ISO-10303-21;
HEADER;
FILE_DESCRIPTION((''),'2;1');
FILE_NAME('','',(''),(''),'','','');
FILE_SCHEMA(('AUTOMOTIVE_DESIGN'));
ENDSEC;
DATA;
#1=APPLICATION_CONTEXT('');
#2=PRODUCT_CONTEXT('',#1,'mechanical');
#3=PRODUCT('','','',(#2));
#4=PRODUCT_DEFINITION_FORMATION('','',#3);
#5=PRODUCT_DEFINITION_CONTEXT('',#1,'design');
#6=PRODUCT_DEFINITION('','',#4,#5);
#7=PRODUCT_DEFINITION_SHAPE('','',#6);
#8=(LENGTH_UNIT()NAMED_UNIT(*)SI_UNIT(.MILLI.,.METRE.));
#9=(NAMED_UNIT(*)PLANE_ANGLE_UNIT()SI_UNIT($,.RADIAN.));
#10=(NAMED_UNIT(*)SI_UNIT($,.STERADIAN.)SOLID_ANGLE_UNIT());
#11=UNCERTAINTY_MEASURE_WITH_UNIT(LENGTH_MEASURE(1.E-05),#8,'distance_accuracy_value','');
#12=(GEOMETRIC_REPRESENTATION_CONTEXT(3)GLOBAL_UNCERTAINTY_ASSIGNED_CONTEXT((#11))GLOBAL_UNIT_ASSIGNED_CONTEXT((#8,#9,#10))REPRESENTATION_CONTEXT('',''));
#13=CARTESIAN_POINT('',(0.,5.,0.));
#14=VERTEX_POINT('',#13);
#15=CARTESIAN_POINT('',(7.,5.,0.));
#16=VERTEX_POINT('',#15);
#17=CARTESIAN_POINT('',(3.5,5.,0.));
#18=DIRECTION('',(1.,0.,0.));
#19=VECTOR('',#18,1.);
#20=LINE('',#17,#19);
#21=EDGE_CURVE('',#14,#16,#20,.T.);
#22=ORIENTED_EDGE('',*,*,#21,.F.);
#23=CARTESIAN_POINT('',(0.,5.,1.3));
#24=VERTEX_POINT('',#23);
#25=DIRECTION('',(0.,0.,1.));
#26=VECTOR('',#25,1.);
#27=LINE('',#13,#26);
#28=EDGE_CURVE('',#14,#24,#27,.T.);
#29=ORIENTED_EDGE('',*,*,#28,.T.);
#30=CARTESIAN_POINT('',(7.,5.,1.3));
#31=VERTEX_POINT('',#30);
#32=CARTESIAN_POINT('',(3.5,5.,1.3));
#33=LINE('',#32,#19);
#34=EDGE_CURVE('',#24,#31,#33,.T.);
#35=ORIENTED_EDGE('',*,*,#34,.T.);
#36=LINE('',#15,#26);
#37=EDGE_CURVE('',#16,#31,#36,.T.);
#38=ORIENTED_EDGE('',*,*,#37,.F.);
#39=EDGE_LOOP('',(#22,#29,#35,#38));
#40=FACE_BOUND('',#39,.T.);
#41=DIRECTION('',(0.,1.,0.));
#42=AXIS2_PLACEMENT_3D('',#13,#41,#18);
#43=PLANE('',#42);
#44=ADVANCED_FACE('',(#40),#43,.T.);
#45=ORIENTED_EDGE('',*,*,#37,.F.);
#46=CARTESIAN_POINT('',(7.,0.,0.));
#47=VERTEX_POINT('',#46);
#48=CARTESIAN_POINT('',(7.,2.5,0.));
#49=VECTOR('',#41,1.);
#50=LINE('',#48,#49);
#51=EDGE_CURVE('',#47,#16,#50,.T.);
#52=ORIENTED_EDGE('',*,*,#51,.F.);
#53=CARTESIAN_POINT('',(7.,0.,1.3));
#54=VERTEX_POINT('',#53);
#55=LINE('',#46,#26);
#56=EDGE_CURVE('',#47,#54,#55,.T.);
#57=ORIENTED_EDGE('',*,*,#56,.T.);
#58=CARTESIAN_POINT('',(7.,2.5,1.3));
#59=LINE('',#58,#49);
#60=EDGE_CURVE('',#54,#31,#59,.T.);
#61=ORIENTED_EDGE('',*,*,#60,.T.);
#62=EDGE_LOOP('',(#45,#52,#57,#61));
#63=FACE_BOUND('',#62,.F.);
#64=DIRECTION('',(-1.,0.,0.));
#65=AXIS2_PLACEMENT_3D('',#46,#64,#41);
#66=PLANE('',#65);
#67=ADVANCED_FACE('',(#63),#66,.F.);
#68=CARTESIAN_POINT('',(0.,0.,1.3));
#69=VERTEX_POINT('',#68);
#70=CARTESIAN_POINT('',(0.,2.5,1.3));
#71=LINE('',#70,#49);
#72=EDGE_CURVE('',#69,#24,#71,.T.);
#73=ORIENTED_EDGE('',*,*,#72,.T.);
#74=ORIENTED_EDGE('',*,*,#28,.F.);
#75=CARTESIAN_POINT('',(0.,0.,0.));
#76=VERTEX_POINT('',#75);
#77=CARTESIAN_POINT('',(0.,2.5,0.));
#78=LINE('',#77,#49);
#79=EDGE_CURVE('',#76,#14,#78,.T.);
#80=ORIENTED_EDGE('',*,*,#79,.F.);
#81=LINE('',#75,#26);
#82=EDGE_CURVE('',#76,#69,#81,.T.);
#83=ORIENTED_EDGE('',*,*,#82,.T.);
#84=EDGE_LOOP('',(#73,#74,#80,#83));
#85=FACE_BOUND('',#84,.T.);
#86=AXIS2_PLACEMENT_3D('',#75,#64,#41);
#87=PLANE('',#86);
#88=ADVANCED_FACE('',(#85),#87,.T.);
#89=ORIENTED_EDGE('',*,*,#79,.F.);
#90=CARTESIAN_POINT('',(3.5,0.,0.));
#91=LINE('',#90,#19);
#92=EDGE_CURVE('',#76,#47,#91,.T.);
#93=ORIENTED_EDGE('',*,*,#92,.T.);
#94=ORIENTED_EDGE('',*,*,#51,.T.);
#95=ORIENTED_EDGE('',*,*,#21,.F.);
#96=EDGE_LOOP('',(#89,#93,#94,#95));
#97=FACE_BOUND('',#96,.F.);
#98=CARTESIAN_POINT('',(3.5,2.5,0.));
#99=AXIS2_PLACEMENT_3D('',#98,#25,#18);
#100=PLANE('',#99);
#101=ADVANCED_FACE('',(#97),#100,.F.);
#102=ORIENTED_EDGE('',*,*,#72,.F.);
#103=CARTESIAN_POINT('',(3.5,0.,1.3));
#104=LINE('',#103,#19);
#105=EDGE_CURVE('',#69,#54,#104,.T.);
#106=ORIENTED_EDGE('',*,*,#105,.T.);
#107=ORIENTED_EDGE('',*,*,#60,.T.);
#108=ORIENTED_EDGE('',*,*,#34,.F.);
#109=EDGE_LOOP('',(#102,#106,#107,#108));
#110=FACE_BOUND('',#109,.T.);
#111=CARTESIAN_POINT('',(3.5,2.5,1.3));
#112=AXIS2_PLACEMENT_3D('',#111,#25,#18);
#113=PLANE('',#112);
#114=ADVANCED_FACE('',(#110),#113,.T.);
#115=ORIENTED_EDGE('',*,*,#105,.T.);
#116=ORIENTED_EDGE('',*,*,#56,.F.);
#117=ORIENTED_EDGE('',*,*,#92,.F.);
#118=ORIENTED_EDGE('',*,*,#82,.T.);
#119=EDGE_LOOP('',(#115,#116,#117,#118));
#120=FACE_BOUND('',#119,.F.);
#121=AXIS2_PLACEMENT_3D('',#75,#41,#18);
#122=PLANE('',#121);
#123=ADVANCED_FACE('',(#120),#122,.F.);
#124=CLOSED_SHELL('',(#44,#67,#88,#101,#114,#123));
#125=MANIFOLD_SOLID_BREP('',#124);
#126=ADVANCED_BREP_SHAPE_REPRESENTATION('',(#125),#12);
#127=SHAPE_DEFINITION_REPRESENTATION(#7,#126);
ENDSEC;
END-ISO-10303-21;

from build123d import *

# Parameters (mm, degrees)
SKETCH_W  = 7
SKETCH_H  = 5
PAD_DEPTH = 1.3


with BuildPart() as part:
    # Sketch → Pad (new body)
    with BuildSketch(Plane.XY):
        with Locations((3.5, 2.5)):
            Rectangle(SKETCH_W, SKETCH_H)
    extrude(amount=PAD_DEPTH)


solid = part.part
